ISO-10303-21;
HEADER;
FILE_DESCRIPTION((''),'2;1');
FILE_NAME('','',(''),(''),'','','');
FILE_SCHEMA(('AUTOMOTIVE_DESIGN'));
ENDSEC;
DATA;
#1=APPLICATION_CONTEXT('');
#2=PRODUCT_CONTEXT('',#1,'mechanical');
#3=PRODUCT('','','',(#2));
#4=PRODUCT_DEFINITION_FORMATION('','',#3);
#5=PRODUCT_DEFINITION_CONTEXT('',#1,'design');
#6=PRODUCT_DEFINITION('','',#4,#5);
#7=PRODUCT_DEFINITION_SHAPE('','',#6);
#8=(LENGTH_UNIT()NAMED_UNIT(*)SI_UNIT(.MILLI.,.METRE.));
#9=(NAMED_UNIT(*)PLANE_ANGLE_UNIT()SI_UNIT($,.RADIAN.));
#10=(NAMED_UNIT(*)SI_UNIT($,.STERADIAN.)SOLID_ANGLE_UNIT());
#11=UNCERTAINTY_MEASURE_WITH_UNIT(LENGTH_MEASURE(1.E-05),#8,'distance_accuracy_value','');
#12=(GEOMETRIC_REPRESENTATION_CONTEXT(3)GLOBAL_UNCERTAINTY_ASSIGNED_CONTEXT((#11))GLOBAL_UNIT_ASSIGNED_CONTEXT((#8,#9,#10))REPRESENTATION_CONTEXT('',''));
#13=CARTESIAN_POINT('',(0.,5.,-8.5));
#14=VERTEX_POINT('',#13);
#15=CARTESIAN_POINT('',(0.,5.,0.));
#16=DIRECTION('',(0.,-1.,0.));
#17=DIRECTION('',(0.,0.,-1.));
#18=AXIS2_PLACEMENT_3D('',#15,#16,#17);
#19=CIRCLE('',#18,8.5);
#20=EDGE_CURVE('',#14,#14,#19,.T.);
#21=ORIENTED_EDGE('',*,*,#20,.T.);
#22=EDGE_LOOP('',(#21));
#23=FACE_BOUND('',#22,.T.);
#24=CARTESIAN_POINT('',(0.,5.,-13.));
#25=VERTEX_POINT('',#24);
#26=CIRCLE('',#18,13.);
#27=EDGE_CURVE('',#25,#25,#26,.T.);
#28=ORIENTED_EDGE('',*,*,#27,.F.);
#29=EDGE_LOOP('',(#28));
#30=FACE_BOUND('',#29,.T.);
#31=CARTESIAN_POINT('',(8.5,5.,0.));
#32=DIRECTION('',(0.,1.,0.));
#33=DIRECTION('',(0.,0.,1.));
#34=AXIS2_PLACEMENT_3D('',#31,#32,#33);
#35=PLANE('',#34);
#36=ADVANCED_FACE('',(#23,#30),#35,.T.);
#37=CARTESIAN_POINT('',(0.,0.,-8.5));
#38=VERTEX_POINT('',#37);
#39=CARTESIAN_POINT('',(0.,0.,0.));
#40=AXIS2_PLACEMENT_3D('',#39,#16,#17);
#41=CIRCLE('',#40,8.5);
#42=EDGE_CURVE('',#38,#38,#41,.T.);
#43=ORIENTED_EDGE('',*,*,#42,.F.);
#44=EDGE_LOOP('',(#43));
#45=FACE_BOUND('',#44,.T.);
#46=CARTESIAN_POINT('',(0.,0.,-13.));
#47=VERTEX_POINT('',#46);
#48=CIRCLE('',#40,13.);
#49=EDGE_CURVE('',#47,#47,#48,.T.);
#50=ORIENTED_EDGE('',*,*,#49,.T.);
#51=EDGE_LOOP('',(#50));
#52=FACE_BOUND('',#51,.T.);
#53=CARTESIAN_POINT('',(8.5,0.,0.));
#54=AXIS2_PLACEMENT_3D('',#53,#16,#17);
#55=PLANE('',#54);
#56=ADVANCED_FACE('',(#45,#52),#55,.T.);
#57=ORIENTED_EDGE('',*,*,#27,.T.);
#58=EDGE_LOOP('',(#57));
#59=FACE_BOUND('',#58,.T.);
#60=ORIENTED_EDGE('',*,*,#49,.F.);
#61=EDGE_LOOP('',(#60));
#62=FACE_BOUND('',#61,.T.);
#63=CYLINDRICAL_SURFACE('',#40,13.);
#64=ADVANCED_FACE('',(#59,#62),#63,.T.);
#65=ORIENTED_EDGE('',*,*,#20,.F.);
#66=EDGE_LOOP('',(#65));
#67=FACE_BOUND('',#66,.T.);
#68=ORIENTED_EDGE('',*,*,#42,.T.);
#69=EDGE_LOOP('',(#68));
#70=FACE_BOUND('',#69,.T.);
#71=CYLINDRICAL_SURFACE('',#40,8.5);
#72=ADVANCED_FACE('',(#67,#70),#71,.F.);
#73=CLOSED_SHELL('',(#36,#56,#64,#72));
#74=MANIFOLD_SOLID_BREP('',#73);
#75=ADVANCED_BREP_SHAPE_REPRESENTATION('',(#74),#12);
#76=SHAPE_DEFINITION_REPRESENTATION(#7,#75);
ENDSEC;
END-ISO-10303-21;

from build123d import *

# Parameters (mm, degrees)
SKETCH1_W = 4.5
SKETCH1_H = 5


with BuildPart() as part:
    # Sketch1 → Revolve1 (revolve)
    with BuildSketch(Plane.XY):
        with Locations((10.75, 2.5)):
            Rectangle(SKETCH1_W, SKETCH1_H)
    revolve(axis=Axis((0, 0, 0), (0, 1, 0)))


solid = part.part
